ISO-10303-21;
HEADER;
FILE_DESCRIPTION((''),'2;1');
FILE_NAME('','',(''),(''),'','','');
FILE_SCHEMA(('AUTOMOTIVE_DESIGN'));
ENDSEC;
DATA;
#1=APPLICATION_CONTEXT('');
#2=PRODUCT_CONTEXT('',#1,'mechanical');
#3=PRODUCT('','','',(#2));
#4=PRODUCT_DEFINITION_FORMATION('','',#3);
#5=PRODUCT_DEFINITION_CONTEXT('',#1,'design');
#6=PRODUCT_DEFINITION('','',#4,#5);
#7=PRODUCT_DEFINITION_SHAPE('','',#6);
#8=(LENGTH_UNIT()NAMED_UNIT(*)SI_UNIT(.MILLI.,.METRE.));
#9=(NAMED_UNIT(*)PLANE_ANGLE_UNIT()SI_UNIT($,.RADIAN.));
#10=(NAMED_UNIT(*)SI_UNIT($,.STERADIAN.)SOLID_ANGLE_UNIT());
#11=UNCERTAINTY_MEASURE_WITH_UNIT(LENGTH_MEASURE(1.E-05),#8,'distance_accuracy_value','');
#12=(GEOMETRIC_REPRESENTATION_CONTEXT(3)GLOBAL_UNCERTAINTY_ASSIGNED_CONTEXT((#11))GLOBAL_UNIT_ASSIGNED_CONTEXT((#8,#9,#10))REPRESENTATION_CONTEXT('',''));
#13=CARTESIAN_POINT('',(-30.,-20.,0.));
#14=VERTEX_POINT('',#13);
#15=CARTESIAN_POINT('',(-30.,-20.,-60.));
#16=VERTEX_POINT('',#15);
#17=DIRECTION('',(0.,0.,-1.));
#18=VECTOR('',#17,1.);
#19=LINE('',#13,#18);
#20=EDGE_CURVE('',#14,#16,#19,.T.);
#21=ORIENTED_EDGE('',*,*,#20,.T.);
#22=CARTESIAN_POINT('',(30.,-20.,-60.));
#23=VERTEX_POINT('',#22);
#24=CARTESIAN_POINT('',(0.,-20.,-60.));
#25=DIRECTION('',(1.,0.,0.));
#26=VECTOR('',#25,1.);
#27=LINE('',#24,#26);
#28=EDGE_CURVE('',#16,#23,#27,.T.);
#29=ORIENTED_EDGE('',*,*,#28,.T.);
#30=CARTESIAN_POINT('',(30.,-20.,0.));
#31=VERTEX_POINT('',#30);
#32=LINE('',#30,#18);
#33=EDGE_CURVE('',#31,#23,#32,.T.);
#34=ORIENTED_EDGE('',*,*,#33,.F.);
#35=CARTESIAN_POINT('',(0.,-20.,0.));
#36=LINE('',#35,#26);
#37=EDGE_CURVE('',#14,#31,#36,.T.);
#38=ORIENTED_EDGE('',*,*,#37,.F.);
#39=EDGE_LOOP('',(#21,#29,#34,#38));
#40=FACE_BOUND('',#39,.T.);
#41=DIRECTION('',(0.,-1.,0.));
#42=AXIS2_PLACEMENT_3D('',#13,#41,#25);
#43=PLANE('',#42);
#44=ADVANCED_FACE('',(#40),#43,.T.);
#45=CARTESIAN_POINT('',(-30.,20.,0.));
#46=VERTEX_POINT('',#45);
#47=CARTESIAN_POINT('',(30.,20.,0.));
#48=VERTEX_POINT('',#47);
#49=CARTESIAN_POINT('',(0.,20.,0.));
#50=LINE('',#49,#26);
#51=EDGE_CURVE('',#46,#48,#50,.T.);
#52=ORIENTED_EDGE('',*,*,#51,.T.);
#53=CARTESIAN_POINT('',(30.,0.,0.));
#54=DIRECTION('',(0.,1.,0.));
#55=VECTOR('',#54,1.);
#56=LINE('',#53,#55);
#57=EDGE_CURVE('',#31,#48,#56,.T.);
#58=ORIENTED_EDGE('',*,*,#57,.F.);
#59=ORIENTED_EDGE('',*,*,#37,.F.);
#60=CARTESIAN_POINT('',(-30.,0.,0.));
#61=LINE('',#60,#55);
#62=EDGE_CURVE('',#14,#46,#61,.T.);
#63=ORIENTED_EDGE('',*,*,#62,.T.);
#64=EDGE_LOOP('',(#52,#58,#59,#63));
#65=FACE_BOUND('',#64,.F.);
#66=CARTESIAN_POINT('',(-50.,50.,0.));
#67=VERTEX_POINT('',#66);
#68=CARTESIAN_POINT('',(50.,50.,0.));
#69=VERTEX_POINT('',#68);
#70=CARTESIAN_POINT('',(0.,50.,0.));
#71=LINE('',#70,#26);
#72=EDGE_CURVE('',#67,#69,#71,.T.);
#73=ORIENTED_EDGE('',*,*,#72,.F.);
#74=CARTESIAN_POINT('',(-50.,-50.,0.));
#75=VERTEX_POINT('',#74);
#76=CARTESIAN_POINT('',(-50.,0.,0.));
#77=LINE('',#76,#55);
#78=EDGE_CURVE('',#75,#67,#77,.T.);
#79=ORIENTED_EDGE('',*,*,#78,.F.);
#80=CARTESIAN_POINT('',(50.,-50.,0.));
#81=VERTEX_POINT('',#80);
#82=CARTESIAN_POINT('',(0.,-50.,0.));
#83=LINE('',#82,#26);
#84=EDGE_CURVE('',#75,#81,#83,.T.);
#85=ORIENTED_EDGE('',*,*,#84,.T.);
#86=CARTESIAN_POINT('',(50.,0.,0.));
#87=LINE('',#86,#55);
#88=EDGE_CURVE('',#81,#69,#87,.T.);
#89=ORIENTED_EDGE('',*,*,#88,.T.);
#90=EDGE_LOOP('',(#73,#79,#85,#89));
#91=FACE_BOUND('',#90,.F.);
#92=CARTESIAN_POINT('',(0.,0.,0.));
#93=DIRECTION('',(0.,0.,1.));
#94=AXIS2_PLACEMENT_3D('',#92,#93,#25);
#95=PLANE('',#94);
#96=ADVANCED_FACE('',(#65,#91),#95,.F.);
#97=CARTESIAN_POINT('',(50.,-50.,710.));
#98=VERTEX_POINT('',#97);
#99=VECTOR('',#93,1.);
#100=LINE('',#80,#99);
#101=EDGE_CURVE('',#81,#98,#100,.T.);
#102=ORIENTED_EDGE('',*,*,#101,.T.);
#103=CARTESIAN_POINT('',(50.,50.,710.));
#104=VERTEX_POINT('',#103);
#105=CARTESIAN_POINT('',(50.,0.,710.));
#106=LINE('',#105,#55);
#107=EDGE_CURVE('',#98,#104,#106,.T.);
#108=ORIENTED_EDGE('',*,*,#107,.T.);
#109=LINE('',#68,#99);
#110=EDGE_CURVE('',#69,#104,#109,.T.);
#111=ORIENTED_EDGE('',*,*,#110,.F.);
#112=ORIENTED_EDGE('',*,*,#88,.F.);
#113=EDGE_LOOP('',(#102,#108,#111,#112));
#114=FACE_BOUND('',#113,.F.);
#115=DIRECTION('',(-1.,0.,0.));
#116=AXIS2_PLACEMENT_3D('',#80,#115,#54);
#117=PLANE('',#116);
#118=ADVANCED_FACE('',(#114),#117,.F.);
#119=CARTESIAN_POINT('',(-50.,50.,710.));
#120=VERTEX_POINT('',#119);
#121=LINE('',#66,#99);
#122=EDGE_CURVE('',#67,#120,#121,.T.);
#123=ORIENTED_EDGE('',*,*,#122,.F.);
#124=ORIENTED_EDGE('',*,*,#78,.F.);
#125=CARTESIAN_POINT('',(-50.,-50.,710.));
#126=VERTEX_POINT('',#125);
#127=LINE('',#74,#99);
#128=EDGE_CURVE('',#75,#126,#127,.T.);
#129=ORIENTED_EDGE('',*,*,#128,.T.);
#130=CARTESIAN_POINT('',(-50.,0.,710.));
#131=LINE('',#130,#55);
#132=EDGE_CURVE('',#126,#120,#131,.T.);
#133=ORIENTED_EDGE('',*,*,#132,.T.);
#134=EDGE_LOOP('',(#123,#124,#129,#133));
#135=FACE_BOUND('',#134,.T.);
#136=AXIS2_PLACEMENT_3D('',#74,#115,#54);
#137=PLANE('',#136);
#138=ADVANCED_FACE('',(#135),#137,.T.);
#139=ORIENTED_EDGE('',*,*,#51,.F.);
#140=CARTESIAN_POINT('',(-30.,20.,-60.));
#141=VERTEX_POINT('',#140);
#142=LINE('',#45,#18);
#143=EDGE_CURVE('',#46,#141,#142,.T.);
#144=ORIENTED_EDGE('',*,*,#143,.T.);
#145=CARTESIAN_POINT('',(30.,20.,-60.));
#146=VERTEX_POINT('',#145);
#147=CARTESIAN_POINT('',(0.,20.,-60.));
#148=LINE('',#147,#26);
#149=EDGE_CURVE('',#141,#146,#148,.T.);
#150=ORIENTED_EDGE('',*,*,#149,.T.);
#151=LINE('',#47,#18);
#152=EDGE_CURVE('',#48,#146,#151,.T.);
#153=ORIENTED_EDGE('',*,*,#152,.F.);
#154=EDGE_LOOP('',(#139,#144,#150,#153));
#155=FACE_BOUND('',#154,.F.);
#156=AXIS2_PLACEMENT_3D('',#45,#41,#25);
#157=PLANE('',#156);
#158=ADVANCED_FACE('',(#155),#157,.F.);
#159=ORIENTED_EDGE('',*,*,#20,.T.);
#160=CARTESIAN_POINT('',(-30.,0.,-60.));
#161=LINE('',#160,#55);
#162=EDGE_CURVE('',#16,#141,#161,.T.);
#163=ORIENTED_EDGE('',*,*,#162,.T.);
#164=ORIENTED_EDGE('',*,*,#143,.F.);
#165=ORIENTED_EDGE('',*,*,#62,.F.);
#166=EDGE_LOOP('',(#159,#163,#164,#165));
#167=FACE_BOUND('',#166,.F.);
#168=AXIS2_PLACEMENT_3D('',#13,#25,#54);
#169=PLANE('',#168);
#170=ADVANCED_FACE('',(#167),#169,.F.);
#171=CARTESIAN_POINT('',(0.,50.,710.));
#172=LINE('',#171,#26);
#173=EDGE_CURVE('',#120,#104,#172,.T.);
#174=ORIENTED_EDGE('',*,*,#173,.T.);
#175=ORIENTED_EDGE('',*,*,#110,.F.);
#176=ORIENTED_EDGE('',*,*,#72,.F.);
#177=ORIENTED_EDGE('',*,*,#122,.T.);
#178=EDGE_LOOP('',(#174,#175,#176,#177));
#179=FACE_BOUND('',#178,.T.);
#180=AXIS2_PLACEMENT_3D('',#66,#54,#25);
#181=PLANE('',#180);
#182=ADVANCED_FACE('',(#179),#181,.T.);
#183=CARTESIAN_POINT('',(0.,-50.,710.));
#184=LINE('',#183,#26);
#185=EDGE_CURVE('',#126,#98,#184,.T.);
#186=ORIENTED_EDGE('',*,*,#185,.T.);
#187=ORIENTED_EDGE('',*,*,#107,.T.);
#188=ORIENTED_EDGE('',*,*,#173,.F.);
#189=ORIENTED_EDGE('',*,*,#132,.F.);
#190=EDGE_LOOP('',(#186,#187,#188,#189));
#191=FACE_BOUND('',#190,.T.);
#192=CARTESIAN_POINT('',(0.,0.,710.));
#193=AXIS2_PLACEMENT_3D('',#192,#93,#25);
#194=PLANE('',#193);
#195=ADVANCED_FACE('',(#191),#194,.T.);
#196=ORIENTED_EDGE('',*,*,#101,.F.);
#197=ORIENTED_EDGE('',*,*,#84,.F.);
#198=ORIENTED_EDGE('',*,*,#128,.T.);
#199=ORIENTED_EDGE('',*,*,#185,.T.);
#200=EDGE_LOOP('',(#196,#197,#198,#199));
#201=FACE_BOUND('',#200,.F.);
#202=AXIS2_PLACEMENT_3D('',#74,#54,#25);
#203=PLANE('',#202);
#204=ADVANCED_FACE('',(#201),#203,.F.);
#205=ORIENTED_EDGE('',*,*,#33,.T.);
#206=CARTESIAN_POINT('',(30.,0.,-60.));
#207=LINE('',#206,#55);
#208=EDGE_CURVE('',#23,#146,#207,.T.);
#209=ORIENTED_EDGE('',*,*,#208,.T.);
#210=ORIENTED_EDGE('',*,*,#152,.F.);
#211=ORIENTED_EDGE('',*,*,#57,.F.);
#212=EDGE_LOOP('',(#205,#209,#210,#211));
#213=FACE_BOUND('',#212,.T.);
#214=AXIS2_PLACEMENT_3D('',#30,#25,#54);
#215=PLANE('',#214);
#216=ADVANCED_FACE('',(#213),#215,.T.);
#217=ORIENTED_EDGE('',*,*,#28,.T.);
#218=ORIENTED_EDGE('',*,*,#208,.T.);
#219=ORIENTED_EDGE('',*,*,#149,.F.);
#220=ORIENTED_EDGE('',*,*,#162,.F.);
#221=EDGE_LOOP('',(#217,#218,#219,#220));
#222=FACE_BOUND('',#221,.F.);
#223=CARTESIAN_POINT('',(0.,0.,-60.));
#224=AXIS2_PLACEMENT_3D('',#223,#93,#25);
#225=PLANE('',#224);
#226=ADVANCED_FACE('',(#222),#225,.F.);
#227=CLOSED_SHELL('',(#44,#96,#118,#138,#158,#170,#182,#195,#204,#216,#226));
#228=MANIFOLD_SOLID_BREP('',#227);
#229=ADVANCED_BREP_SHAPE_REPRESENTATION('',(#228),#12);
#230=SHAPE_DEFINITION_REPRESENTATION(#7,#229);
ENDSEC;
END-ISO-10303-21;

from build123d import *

# Parameters (mm, degrees)
F2_W     = 100
F2_H     = 100
F3_DEPTH = 710
F4_W     = 60
F4_H     = 40
F5_DEPTH = 60


with BuildPart() as f3:
    # F2 (on Top) → F3 (new body)
    with BuildSketch(Plane.XY):
        Rectangle(F2_W, F2_H)
    extrude(amount=F3_DEPTH)

    # F4 (on Top) → F5 (join)
    with BuildSketch(Plane.XY):
        Rectangle(F4_W, F4_H)
    extrude(amount=-F5_DEPTH)


solid = f3.part
